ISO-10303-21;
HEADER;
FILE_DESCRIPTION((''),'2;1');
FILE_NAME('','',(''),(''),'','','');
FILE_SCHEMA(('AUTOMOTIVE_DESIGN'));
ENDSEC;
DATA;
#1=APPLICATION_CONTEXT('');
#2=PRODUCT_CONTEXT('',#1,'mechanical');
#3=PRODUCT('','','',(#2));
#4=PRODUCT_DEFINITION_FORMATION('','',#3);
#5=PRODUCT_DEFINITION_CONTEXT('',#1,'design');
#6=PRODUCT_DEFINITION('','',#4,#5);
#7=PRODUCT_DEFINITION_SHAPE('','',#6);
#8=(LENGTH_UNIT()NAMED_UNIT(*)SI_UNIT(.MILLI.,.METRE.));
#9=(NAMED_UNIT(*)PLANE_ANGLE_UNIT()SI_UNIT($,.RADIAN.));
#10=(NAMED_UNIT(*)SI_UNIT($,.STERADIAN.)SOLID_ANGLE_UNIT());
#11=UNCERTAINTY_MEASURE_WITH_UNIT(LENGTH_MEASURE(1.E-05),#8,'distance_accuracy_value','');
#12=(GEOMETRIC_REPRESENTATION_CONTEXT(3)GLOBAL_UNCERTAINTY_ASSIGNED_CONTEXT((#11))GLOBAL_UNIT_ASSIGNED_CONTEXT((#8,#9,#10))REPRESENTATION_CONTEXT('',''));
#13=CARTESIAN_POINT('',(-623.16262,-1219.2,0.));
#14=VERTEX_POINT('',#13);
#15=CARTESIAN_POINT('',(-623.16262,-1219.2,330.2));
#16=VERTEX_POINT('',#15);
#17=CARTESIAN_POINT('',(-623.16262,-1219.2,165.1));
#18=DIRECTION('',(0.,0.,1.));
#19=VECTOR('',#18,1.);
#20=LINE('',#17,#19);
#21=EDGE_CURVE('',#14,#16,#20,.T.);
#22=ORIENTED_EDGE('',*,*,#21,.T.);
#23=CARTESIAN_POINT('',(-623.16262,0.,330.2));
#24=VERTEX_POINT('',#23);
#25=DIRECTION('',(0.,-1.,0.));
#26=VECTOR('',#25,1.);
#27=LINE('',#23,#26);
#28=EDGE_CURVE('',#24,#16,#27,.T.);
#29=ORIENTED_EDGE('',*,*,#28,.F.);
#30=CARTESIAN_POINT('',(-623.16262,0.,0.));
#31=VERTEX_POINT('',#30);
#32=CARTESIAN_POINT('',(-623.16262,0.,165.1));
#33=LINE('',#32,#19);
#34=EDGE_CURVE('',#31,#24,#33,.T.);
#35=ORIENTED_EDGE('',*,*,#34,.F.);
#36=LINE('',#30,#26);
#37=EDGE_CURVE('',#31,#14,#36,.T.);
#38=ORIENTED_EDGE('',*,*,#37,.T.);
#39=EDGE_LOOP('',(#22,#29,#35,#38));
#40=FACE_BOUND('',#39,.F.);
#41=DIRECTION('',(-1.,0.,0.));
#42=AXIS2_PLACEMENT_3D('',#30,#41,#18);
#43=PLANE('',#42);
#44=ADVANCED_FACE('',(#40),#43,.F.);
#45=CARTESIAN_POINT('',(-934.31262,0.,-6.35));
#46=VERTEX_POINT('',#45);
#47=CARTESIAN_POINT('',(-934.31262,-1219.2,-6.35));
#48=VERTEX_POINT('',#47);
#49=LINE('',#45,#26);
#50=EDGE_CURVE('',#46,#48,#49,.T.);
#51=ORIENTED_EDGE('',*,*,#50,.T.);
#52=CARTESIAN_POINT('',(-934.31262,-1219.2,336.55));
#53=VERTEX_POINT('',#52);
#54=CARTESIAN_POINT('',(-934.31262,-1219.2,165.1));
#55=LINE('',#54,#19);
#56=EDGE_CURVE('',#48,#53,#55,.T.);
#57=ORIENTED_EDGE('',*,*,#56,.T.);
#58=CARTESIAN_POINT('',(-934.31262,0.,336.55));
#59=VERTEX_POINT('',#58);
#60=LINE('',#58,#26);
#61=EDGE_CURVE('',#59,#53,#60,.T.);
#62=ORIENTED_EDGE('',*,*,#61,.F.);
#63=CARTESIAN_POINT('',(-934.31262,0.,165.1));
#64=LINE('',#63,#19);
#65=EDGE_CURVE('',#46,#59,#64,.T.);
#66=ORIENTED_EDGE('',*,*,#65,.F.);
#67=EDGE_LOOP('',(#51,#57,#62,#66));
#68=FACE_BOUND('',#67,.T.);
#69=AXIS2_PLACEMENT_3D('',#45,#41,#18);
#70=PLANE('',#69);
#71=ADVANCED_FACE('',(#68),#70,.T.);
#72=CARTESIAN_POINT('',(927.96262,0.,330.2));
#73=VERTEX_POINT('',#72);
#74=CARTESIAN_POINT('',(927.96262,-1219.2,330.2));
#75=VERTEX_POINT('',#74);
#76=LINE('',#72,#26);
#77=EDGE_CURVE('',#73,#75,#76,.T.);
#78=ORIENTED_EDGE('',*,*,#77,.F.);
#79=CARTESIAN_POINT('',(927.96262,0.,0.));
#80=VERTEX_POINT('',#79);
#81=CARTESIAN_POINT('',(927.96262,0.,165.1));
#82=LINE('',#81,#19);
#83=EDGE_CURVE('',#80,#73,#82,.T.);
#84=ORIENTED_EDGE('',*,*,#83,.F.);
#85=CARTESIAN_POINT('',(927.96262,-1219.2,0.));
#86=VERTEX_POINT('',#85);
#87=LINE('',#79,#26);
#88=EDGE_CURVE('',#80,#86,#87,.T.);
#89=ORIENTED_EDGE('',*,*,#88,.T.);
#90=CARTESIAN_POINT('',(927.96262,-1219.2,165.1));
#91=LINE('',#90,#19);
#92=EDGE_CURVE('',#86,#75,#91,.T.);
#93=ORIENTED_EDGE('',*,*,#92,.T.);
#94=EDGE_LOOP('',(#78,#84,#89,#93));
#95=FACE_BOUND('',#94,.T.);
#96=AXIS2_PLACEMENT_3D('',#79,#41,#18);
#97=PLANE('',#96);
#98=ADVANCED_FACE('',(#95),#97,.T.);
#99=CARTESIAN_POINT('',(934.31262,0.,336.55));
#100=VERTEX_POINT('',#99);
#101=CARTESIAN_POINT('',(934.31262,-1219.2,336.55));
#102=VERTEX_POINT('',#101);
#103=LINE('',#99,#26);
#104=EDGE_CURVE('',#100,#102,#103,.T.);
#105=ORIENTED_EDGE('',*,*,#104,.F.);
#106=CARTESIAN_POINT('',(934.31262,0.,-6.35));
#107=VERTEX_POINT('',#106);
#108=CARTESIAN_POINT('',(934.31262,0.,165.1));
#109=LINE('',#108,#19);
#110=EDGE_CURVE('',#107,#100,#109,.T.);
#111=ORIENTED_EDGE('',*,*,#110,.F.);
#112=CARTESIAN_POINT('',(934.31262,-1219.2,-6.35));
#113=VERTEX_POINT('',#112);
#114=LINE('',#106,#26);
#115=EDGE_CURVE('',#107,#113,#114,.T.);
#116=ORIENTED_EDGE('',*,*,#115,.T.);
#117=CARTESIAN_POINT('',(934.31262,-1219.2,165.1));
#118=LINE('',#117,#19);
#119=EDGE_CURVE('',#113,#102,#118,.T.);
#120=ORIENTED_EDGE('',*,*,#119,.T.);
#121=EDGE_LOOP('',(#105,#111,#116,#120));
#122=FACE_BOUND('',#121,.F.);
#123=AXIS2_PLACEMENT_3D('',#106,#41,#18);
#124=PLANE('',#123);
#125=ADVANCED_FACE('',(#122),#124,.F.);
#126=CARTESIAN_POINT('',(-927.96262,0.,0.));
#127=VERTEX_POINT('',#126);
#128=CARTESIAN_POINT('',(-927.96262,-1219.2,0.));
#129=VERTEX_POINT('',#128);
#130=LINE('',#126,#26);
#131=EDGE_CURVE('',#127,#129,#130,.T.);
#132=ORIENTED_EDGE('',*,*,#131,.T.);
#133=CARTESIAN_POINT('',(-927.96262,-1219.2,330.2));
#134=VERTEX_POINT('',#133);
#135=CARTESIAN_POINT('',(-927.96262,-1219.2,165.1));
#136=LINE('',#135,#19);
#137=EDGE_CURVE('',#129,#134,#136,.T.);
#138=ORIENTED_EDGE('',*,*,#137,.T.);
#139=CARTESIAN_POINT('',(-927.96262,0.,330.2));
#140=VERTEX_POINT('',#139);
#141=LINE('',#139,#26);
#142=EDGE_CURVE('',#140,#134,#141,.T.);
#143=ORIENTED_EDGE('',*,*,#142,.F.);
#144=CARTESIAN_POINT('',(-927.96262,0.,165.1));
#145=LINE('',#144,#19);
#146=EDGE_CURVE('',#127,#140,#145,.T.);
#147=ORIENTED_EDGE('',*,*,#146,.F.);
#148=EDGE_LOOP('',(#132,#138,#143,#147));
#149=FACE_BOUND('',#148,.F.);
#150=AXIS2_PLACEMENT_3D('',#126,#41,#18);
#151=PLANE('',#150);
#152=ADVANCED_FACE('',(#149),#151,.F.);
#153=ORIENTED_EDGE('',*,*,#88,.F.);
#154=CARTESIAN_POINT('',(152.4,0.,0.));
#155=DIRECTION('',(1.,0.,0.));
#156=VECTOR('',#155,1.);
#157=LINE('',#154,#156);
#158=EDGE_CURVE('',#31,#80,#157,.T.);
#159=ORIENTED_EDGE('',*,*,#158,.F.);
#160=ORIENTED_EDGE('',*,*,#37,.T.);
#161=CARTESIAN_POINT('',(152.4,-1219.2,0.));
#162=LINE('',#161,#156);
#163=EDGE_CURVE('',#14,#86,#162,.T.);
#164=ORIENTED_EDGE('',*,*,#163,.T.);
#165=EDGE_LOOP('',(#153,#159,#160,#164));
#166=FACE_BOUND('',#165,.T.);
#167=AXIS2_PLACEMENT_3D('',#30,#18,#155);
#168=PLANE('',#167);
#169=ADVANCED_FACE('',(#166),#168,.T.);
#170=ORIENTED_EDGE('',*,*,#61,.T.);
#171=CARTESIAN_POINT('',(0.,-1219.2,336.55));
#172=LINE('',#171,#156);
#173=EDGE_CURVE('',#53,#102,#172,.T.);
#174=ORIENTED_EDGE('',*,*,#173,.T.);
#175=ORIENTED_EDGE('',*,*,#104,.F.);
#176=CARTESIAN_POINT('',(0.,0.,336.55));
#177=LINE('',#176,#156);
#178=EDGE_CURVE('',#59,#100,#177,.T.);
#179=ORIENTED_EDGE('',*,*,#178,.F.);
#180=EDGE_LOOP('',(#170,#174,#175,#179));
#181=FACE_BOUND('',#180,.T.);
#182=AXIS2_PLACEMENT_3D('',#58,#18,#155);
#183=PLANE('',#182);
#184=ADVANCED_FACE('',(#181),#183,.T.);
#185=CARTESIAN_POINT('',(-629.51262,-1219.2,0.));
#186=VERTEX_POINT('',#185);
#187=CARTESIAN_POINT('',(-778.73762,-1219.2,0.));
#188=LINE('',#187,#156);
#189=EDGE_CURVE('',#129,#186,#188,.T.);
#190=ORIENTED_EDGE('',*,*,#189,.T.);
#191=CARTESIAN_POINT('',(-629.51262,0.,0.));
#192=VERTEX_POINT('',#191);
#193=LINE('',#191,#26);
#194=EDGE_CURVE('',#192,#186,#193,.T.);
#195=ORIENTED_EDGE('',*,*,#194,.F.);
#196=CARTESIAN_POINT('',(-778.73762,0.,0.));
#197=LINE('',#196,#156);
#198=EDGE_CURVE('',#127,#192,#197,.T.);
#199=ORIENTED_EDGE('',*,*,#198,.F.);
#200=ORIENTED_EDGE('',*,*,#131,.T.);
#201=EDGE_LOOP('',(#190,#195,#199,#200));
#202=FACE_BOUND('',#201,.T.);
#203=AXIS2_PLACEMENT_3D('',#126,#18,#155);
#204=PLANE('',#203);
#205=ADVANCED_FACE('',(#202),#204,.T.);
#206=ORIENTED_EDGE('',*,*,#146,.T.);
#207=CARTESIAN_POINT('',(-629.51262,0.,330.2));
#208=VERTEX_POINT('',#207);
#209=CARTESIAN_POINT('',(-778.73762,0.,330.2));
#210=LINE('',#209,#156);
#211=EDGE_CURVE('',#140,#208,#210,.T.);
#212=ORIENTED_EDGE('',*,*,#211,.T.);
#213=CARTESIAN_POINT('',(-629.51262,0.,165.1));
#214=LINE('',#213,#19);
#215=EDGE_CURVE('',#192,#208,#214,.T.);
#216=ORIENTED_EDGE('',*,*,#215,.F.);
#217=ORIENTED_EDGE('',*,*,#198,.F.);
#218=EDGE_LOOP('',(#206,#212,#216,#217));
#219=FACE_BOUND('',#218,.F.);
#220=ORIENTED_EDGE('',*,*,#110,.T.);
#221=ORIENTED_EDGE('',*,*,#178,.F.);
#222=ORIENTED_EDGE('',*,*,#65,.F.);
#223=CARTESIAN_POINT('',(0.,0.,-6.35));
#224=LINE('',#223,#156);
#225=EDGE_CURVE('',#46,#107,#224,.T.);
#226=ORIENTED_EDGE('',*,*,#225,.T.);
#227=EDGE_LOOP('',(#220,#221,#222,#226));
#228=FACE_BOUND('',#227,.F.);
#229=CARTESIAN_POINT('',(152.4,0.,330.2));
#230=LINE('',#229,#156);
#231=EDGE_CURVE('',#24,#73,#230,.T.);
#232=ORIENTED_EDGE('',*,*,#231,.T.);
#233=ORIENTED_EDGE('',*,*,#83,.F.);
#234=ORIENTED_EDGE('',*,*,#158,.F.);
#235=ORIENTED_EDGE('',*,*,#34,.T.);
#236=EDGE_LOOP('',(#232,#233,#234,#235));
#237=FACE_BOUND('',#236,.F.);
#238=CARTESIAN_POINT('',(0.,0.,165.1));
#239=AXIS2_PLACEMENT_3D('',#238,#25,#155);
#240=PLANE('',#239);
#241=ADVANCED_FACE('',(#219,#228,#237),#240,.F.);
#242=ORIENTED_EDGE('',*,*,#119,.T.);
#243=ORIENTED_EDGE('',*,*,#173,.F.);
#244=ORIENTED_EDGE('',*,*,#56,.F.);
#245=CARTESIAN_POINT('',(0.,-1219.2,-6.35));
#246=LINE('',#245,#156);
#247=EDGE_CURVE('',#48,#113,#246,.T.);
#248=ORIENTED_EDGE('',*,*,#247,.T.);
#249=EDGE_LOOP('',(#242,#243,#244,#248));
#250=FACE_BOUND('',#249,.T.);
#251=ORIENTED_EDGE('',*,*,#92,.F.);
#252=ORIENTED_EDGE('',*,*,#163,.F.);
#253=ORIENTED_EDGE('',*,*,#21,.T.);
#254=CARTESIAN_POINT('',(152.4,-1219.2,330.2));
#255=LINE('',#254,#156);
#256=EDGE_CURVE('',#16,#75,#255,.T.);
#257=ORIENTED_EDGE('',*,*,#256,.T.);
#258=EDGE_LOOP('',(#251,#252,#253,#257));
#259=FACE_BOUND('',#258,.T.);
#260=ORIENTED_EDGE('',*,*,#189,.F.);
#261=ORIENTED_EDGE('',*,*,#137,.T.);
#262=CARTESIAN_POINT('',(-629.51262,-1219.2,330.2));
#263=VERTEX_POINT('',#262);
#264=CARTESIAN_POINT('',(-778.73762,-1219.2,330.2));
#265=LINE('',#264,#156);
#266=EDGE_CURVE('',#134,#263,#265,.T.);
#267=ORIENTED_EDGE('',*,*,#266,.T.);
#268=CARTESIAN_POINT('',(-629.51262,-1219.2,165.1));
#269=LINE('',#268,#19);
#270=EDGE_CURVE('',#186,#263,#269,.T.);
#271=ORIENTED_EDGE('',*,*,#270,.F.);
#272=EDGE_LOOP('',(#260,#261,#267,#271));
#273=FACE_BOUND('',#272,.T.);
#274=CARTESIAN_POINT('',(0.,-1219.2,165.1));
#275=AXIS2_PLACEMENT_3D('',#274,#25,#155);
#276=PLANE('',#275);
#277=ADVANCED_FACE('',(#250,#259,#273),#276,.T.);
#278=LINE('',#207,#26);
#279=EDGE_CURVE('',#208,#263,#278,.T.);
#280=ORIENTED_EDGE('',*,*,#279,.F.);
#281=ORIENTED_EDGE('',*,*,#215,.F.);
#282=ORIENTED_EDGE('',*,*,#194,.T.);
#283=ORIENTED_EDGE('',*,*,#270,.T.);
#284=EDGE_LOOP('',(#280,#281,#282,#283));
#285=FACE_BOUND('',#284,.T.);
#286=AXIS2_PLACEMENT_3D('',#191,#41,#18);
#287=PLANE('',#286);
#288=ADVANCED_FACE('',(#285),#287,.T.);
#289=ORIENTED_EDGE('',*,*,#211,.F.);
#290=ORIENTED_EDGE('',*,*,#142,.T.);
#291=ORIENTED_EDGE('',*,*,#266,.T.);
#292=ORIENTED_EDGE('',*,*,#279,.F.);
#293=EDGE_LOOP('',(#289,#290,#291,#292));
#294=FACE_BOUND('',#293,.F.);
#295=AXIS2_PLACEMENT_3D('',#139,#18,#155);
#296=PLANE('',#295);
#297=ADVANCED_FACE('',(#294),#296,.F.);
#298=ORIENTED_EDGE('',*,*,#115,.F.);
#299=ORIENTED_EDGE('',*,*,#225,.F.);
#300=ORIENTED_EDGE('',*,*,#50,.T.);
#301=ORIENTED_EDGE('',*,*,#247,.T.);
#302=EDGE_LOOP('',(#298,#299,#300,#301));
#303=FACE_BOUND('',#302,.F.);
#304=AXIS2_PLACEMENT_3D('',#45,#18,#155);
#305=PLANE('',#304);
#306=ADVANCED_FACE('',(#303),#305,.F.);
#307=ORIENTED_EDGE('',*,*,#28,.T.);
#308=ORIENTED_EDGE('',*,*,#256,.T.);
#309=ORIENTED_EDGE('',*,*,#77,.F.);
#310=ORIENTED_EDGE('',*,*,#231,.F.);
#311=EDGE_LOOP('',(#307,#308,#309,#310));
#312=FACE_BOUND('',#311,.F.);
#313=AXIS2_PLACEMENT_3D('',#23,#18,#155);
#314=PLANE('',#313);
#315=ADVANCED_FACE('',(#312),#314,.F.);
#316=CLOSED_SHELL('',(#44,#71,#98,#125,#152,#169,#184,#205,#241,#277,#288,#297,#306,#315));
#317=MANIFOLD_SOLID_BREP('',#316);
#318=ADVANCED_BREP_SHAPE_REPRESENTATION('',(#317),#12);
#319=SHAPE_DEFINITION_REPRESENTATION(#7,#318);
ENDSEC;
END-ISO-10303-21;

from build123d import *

# Parameters (mm, degrees)
F0_W     = 1868.62524
F0_H     = 342.9
F0_W_2   = 298.45
F0_H_2   = 330.2
F0_W_3   = 1551.12524
F1_DEPTH = 1219.2


with BuildPart() as f1:
    # F0 (on Front) → F1 (new body)
    with BuildSketch(Plane.XZ):
        with Locations((0, 165.1)):
            Rectangle(F0_W, F0_H)
        with Locations((-778.73762, 165.1)):
            Rectangle(F0_W_2, F0_H_2, mode=Mode.SUBTRACT)
        with Locations((152.4, 165.1)):
            Rectangle(F0_W_3, F0_H_2, mode=Mode.SUBTRACT)
    extrude(amount=F1_DEPTH)


solid = f1.part
